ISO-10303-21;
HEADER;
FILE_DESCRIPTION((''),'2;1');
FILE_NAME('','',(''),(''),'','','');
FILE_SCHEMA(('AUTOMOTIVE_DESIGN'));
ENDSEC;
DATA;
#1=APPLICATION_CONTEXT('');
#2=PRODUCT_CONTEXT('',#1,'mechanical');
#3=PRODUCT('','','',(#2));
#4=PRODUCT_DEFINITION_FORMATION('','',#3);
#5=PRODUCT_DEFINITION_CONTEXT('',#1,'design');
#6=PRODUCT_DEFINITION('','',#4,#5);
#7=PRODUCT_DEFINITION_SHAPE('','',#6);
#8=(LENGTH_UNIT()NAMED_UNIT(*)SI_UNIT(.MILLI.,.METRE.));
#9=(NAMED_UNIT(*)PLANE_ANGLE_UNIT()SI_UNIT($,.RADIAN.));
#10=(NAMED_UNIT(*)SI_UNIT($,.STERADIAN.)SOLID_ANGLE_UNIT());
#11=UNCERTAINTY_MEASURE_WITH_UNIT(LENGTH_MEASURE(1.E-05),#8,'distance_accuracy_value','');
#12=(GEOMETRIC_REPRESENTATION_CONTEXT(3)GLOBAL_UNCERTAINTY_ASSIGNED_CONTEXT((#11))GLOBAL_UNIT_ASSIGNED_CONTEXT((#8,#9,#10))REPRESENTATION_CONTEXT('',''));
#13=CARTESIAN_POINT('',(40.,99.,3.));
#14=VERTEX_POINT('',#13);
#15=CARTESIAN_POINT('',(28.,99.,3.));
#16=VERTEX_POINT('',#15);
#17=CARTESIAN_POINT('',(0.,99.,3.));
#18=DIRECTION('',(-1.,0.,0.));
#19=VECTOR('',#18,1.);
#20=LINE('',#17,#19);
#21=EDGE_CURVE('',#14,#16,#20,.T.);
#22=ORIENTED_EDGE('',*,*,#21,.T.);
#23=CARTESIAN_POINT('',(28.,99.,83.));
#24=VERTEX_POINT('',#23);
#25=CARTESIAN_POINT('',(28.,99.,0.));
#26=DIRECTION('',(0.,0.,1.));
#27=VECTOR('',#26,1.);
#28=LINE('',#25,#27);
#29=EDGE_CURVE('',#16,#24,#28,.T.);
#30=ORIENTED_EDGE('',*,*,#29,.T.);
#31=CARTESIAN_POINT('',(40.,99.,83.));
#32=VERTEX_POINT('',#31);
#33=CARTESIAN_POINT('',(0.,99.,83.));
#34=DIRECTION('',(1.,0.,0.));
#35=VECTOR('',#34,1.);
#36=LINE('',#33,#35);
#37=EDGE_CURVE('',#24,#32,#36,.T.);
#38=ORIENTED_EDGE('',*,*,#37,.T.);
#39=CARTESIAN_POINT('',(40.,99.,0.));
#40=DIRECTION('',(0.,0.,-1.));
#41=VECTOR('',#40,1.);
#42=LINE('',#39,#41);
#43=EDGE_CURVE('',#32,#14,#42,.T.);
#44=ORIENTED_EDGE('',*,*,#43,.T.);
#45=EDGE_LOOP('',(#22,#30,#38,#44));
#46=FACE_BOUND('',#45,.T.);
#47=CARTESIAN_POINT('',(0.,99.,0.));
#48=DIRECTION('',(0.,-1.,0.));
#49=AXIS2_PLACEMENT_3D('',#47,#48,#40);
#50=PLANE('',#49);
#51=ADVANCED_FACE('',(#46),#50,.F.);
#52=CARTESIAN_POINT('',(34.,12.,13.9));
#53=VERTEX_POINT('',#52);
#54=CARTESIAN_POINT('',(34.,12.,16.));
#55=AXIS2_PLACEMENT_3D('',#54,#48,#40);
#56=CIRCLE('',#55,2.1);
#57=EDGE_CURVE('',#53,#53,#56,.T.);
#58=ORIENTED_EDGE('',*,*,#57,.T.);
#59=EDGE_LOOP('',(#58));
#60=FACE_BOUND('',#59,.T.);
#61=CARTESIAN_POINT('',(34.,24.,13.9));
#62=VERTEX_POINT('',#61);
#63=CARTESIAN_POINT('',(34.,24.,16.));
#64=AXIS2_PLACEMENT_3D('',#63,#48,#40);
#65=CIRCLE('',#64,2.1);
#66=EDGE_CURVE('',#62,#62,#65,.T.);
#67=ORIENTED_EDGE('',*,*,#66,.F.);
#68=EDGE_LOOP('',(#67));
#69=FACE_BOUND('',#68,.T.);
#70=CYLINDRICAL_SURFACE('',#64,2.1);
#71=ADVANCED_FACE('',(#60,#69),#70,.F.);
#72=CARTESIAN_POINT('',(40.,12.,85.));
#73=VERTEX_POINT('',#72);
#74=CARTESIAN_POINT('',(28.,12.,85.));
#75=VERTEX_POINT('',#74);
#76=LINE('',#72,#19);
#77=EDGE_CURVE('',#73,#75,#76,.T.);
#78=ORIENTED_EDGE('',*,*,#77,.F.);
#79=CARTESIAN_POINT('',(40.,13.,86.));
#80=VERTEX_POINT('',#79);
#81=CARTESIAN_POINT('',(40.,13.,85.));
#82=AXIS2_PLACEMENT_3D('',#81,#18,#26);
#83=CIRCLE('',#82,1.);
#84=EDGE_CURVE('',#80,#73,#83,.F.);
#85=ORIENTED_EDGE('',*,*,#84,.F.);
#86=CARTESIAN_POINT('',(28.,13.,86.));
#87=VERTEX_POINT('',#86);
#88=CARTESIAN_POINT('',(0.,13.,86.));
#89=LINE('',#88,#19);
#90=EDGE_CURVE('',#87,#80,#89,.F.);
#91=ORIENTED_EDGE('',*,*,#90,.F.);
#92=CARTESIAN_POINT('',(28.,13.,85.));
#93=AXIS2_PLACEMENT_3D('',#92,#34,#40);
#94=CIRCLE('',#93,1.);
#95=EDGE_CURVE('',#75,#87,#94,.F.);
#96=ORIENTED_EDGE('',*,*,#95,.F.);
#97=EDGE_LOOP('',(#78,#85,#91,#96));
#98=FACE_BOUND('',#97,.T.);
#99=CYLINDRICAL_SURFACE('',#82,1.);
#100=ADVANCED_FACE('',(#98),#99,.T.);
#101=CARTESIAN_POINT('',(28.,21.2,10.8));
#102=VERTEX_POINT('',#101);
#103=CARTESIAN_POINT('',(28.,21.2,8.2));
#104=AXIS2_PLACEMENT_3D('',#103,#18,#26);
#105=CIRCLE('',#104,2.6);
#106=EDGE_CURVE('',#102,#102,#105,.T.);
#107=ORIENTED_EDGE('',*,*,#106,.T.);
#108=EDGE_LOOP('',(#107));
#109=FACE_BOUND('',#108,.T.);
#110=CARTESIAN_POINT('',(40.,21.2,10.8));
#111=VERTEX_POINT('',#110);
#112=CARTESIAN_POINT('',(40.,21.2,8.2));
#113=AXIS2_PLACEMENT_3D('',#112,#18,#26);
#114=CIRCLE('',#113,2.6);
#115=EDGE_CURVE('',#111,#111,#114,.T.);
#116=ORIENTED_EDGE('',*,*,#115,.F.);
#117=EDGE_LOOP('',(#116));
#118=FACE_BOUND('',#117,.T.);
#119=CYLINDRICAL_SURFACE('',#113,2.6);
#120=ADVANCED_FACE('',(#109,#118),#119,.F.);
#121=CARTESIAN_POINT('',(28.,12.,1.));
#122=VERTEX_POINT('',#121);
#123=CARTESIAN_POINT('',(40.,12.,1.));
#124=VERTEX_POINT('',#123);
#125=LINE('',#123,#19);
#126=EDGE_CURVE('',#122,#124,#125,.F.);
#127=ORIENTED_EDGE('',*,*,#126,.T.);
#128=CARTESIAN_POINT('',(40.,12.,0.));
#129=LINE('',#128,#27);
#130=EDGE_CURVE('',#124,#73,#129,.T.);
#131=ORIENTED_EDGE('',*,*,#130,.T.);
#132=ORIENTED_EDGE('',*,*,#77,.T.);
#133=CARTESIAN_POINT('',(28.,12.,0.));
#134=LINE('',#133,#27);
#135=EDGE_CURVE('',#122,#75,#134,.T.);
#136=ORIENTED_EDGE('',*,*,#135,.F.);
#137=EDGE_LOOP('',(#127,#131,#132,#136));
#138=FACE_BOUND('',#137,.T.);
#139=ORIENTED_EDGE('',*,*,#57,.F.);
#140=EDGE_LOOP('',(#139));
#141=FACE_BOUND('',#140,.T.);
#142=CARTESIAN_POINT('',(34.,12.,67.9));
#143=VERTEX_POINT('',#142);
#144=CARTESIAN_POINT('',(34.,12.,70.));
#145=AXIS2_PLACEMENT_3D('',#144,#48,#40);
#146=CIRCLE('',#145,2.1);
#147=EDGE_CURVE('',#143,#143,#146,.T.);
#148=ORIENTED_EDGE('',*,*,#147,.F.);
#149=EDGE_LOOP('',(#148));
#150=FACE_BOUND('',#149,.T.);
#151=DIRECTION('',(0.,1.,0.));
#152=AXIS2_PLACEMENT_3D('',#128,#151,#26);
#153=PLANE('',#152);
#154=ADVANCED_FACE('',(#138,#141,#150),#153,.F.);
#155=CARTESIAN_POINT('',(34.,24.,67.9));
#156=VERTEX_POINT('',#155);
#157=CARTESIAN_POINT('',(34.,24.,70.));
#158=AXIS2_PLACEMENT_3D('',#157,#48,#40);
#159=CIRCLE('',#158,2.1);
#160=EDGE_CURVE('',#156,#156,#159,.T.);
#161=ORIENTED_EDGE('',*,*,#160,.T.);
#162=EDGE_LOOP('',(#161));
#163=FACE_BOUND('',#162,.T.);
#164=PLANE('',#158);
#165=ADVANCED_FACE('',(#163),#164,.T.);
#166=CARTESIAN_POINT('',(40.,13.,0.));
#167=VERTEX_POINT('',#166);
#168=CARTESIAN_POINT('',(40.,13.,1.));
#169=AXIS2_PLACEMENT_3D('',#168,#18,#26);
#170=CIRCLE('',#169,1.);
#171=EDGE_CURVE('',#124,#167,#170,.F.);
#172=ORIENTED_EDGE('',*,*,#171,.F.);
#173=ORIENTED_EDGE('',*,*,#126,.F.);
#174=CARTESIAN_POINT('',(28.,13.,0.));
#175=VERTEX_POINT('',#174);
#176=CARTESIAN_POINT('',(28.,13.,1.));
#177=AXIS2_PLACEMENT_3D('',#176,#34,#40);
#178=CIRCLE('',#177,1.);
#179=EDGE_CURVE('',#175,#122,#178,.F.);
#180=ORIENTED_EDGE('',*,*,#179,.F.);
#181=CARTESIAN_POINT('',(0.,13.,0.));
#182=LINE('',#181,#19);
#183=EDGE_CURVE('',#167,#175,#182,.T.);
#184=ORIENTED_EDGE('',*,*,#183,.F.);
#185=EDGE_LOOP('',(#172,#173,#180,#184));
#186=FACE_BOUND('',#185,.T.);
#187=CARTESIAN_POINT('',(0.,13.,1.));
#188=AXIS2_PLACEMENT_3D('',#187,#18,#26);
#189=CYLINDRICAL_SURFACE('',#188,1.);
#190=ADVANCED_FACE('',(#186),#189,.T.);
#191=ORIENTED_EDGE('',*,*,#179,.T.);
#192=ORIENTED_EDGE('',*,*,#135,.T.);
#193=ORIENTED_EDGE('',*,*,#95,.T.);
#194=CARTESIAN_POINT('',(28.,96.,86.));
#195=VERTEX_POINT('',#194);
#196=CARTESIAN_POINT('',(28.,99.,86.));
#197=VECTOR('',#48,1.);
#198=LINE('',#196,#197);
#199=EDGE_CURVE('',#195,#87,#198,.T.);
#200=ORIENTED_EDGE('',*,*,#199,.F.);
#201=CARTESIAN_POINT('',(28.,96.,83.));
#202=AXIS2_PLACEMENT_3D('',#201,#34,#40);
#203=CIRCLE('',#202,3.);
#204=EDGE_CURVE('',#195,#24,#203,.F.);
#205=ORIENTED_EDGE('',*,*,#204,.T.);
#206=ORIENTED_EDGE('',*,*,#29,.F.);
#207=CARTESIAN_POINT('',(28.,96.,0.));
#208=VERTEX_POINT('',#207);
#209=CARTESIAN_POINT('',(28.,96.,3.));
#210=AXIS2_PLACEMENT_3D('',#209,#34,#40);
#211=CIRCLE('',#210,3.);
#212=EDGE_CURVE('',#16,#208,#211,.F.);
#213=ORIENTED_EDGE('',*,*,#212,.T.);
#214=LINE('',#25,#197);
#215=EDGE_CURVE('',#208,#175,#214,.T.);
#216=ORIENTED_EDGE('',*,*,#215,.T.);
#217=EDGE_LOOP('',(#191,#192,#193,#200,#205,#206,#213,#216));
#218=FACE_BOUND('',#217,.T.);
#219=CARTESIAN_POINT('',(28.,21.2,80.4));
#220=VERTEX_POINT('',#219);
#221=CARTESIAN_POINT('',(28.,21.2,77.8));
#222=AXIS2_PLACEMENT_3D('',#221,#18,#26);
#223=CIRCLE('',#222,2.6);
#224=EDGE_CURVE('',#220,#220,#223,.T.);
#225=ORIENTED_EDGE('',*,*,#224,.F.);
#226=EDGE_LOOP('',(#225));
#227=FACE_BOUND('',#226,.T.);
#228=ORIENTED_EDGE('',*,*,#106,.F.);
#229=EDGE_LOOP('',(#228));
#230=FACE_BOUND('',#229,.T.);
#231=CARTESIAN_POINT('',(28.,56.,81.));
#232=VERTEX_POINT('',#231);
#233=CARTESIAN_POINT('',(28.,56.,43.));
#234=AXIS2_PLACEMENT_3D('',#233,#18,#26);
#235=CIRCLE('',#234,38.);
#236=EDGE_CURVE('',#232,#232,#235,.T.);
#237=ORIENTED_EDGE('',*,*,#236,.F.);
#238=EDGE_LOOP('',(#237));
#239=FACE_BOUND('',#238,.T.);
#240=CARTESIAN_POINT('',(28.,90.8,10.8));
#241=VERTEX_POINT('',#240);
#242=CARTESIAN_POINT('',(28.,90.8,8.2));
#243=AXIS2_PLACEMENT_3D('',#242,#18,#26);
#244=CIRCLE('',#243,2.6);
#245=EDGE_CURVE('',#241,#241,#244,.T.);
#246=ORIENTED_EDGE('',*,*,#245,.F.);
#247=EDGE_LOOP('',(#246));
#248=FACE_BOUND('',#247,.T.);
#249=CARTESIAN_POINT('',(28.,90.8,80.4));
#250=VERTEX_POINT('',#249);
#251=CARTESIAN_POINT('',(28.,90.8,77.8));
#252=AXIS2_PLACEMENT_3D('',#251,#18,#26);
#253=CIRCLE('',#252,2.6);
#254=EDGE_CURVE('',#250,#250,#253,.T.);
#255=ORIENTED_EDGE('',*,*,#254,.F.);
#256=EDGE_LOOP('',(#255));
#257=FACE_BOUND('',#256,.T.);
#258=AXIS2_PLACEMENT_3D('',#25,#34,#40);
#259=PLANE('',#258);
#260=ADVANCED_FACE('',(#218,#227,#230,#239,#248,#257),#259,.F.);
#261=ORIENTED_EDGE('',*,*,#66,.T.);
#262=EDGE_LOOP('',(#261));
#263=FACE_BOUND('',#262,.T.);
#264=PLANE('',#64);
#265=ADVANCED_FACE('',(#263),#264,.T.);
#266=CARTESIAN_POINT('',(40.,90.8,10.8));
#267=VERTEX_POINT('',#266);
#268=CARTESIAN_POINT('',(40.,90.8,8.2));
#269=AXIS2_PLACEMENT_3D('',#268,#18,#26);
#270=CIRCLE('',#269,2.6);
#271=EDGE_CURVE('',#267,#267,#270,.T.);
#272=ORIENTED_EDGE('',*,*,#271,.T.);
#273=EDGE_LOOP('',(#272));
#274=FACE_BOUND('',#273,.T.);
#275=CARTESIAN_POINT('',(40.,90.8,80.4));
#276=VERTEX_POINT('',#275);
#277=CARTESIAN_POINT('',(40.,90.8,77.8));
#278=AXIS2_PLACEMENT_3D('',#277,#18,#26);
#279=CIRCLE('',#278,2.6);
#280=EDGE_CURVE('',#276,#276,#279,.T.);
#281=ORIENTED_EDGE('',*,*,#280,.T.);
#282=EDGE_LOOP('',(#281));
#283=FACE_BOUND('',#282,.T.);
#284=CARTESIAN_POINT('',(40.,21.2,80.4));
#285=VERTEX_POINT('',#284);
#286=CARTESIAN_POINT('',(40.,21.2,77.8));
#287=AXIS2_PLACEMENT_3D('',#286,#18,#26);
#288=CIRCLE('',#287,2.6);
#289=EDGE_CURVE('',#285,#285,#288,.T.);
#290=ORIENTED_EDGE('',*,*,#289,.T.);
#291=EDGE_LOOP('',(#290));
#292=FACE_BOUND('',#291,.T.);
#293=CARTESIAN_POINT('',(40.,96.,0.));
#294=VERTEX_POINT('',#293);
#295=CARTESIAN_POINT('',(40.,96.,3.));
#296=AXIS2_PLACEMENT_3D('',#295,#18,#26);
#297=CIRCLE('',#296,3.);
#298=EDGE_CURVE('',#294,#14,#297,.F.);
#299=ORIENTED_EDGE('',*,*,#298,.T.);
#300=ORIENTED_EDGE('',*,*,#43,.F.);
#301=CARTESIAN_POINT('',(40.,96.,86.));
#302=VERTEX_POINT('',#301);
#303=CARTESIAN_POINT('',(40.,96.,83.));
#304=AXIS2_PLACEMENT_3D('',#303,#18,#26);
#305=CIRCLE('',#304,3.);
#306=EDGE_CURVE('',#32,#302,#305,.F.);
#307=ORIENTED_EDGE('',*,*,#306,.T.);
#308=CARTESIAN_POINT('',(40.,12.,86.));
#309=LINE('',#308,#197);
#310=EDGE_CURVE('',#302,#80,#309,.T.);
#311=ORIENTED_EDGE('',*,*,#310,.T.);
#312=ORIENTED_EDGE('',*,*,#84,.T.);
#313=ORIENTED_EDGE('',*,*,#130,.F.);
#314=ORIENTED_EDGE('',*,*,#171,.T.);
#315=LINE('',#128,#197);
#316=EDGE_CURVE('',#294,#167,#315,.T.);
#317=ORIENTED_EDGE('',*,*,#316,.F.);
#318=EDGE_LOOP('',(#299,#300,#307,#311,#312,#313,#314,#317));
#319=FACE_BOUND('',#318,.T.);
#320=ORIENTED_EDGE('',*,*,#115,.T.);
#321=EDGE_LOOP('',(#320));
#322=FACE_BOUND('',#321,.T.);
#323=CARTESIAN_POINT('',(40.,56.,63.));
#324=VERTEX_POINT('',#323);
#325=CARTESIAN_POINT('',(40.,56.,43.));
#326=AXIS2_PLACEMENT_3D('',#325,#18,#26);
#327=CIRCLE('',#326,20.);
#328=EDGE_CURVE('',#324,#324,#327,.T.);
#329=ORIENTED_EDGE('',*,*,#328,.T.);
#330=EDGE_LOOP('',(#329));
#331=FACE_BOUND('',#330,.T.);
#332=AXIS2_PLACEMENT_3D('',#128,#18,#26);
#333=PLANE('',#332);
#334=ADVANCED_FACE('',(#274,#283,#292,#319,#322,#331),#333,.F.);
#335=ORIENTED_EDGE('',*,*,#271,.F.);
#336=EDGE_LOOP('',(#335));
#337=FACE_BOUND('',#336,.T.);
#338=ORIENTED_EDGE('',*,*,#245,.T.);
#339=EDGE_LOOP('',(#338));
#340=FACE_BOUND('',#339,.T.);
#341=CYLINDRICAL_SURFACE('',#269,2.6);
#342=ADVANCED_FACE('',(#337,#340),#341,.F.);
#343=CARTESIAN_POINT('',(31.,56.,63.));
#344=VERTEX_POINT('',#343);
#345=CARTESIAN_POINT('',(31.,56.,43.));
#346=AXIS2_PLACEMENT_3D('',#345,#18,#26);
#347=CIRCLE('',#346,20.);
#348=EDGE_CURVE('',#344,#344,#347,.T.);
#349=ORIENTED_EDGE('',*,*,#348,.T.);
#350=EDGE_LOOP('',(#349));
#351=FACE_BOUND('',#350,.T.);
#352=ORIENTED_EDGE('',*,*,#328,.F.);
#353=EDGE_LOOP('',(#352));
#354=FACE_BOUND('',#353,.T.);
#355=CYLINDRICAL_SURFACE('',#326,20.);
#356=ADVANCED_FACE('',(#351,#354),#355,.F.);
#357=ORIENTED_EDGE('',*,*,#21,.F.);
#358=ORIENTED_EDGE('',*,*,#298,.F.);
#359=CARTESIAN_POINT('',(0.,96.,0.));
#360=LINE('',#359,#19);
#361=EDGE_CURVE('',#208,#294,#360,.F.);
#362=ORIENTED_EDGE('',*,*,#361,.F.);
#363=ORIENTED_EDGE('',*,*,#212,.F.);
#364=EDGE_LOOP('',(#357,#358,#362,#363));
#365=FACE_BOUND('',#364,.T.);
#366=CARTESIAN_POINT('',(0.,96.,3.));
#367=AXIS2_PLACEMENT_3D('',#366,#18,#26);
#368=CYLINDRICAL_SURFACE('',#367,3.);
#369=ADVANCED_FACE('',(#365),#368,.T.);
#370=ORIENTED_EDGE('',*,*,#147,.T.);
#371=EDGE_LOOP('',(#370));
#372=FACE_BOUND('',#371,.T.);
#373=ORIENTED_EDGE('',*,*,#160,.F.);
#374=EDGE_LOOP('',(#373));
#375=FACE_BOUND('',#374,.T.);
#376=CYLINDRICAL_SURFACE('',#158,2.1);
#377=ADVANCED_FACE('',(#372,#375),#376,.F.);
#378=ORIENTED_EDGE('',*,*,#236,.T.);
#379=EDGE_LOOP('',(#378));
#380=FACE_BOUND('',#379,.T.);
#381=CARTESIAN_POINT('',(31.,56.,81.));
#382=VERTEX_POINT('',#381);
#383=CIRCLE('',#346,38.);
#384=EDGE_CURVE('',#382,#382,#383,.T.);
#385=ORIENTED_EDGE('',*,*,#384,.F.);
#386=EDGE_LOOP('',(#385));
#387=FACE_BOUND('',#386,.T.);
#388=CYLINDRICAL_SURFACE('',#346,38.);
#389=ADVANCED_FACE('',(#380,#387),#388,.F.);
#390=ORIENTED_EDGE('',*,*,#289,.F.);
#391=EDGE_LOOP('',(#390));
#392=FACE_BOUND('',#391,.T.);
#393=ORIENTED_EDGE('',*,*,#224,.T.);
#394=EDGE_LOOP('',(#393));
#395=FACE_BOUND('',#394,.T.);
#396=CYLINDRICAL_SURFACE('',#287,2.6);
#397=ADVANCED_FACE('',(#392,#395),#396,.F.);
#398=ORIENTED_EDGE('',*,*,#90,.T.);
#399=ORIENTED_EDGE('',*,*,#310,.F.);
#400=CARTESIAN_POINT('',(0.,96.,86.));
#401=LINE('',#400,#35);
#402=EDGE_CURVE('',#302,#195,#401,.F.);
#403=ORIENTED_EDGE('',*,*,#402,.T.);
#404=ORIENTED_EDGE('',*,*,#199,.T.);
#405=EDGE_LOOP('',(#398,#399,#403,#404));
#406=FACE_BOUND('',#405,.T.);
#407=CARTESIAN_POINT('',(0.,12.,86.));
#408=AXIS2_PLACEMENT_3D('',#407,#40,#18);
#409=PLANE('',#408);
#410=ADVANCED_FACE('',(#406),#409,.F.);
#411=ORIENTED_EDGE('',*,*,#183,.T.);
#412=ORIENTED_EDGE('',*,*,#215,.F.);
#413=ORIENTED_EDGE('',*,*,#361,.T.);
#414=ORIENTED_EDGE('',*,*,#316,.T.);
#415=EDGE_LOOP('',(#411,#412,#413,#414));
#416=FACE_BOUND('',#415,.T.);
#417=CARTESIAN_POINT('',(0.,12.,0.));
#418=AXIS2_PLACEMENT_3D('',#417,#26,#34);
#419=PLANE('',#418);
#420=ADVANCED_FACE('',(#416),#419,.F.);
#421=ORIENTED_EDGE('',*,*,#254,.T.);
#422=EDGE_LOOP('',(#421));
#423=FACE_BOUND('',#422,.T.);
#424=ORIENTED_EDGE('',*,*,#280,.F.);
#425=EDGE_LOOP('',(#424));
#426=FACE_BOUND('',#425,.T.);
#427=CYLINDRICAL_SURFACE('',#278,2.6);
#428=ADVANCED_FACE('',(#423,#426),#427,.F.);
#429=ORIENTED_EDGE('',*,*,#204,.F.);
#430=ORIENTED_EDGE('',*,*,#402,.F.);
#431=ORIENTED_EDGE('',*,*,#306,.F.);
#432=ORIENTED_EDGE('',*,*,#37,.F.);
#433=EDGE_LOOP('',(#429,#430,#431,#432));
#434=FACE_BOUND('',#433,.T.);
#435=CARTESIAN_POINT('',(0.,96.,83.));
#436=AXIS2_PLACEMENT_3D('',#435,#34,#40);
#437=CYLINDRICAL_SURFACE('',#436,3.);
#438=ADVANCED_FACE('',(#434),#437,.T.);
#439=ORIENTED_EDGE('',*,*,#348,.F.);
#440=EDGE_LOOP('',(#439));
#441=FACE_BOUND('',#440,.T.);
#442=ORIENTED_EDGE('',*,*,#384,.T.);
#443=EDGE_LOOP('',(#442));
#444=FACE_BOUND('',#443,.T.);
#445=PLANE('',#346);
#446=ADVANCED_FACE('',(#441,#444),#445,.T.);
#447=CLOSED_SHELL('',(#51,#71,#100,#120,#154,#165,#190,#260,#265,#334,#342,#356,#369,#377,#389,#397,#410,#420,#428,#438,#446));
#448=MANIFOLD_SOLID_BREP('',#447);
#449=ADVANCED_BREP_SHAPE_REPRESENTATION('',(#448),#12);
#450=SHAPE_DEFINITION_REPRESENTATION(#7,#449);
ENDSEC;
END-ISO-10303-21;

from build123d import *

# Parameters (mm, degrees)
SKETCH1_W           = 40
SKETCH1_H           = 86
BOSS_EXTRUDE1_DEPTH = 12
SKETCH2_W           = 12
SKETCH2_H           = 86
BOSS_EXTRUDE2_DEPTH = 87
SKETCH3_R           = 3
CUT_EXTRUDE1_DEPTH  = 13
SKETCH4_R           = 38
CUT_EXTRUDE2_DEPTH  = 3
SKETCH5_R           = 2.6
CUT_EXTRUDE3_DEPTH  = 13
FILLET1_R           = 3
SKETCH6_R           = 20
CUT_EXTRUDE4_DEPTH  = 13
SKETCH7_W           = 40
SKETCH7_H           = 12
CUT_EXTRUDE5_DEPTH  = 87
FILLET2_R           = 1
SKETCH8_R           = 2.1
CUT_EXTRUDE6_DEPTH  = 12


with BuildPart() as part:
    # Sketch1 → Boss-Extrude1 (new body)
    with BuildSketch(Plane(origin=(0, 0, 0), x_dir=(1, 0, 0), z_dir=(0, 1, 0))):
        with Locations((20, -43)):
            Rectangle(SKETCH1_W, SKETCH1_H)
    extrude(amount=BOSS_EXTRUDE1_DEPTH)

    # Sketch2 → Boss-Extrude2 (add)
    with BuildSketch(Plane(origin=(0, 12, 0), x_dir=(1, 0, 0), z_dir=(0, 1, 0))):
        with Locations((34, -43)):
            Rectangle(SKETCH2_W, SKETCH2_H)
    extrude(amount=BOSS_EXTRUDE2_DEPTH)

    # Sketch3 → Cut-Extrude1 (cut, through all)
    with BuildSketch(Plane(origin=(0, 12, 0), x_dir=(1, 0, 0), z_dir=(0, 1, 0))):
        with Locations((14, -8.4)):
            Circle(SKETCH3_R)
        with Locations((14, -77.6)):
            Circle(SKETCH3_R)
    extrude(amount=-CUT_EXTRUDE1_DEPTH, mode=Mode.SUBTRACT)

    # Sketch4 → Cut-Extrude2 (cut)
    with BuildSketch(Plane.ZY.offset(-28)):
        with Locations((43, 56)):
            Circle(SKETCH4_R)
    extrude(amount=-CUT_EXTRUDE2_DEPTH, mode=Mode.SUBTRACT)

    # Sketch5 → Cut-Extrude3 (cut, through all)
    with BuildSketch(Plane.ZY.offset(-28)):
        with Locations((77.8, 90.8)):
            Circle(SKETCH5_R)
        with Locations((77.8, 21.2)):
            Circle(SKETCH5_R)
        with Locations((8.2, 90.8)):
            Circle(SKETCH5_R)
        with Locations((8.2, 21.2)):
            Circle(SKETCH5_R)
    extrude(amount=-CUT_EXTRUDE3_DEPTH, mode=Mode.SUBTRACT)

    # Fillet1
    fillet1_edges = [part.edges().sort_by_distance(p)[0] for p in [
        (34, 99, 0),
        (34, 99, 86),
    ]]
    fillet(fillet1_edges, radius=FILLET1_R)

    # Sketch6 → Cut-Extrude4 (cut, through all)
    with BuildSketch(Plane.ZY.offset(-28)):
        with Locations((43, 56)):
            Circle(SKETCH6_R)
    extrude(amount=-CUT_EXTRUDE4_DEPTH, mode=Mode.SUBTRACT)

    # Sketch7 → Cut-Extrude5 (cut, through all)
    with BuildSketch(Plane.XY.offset(86)):
        with Locations((20, 6)):
            Rectangle(SKETCH7_W, SKETCH7_H)
    extrude(amount=-CUT_EXTRUDE5_DEPTH, mode=Mode.SUBTRACT)

    # Fillet2
    fillet2_edges = [part.edges().sort_by_distance(p)[0] for p in [
        (34, 12, 0),
        (34, 12, 86),
    ]]
    fillet(fillet2_edges, radius=FILLET2_R)

    # Sketch8 → Cut-Extrude6 (cut)
    with BuildSketch(Plane.XZ.offset(-12)):
        with Locations((34, 70)):
            Circle(SKETCH8_R)
        with Locations((34, 16)):
            Circle(SKETCH8_R)
    extrude(amount=-CUT_EXTRUDE6_DEPTH, mode=Mode.SUBTRACT)


solid = part.part
